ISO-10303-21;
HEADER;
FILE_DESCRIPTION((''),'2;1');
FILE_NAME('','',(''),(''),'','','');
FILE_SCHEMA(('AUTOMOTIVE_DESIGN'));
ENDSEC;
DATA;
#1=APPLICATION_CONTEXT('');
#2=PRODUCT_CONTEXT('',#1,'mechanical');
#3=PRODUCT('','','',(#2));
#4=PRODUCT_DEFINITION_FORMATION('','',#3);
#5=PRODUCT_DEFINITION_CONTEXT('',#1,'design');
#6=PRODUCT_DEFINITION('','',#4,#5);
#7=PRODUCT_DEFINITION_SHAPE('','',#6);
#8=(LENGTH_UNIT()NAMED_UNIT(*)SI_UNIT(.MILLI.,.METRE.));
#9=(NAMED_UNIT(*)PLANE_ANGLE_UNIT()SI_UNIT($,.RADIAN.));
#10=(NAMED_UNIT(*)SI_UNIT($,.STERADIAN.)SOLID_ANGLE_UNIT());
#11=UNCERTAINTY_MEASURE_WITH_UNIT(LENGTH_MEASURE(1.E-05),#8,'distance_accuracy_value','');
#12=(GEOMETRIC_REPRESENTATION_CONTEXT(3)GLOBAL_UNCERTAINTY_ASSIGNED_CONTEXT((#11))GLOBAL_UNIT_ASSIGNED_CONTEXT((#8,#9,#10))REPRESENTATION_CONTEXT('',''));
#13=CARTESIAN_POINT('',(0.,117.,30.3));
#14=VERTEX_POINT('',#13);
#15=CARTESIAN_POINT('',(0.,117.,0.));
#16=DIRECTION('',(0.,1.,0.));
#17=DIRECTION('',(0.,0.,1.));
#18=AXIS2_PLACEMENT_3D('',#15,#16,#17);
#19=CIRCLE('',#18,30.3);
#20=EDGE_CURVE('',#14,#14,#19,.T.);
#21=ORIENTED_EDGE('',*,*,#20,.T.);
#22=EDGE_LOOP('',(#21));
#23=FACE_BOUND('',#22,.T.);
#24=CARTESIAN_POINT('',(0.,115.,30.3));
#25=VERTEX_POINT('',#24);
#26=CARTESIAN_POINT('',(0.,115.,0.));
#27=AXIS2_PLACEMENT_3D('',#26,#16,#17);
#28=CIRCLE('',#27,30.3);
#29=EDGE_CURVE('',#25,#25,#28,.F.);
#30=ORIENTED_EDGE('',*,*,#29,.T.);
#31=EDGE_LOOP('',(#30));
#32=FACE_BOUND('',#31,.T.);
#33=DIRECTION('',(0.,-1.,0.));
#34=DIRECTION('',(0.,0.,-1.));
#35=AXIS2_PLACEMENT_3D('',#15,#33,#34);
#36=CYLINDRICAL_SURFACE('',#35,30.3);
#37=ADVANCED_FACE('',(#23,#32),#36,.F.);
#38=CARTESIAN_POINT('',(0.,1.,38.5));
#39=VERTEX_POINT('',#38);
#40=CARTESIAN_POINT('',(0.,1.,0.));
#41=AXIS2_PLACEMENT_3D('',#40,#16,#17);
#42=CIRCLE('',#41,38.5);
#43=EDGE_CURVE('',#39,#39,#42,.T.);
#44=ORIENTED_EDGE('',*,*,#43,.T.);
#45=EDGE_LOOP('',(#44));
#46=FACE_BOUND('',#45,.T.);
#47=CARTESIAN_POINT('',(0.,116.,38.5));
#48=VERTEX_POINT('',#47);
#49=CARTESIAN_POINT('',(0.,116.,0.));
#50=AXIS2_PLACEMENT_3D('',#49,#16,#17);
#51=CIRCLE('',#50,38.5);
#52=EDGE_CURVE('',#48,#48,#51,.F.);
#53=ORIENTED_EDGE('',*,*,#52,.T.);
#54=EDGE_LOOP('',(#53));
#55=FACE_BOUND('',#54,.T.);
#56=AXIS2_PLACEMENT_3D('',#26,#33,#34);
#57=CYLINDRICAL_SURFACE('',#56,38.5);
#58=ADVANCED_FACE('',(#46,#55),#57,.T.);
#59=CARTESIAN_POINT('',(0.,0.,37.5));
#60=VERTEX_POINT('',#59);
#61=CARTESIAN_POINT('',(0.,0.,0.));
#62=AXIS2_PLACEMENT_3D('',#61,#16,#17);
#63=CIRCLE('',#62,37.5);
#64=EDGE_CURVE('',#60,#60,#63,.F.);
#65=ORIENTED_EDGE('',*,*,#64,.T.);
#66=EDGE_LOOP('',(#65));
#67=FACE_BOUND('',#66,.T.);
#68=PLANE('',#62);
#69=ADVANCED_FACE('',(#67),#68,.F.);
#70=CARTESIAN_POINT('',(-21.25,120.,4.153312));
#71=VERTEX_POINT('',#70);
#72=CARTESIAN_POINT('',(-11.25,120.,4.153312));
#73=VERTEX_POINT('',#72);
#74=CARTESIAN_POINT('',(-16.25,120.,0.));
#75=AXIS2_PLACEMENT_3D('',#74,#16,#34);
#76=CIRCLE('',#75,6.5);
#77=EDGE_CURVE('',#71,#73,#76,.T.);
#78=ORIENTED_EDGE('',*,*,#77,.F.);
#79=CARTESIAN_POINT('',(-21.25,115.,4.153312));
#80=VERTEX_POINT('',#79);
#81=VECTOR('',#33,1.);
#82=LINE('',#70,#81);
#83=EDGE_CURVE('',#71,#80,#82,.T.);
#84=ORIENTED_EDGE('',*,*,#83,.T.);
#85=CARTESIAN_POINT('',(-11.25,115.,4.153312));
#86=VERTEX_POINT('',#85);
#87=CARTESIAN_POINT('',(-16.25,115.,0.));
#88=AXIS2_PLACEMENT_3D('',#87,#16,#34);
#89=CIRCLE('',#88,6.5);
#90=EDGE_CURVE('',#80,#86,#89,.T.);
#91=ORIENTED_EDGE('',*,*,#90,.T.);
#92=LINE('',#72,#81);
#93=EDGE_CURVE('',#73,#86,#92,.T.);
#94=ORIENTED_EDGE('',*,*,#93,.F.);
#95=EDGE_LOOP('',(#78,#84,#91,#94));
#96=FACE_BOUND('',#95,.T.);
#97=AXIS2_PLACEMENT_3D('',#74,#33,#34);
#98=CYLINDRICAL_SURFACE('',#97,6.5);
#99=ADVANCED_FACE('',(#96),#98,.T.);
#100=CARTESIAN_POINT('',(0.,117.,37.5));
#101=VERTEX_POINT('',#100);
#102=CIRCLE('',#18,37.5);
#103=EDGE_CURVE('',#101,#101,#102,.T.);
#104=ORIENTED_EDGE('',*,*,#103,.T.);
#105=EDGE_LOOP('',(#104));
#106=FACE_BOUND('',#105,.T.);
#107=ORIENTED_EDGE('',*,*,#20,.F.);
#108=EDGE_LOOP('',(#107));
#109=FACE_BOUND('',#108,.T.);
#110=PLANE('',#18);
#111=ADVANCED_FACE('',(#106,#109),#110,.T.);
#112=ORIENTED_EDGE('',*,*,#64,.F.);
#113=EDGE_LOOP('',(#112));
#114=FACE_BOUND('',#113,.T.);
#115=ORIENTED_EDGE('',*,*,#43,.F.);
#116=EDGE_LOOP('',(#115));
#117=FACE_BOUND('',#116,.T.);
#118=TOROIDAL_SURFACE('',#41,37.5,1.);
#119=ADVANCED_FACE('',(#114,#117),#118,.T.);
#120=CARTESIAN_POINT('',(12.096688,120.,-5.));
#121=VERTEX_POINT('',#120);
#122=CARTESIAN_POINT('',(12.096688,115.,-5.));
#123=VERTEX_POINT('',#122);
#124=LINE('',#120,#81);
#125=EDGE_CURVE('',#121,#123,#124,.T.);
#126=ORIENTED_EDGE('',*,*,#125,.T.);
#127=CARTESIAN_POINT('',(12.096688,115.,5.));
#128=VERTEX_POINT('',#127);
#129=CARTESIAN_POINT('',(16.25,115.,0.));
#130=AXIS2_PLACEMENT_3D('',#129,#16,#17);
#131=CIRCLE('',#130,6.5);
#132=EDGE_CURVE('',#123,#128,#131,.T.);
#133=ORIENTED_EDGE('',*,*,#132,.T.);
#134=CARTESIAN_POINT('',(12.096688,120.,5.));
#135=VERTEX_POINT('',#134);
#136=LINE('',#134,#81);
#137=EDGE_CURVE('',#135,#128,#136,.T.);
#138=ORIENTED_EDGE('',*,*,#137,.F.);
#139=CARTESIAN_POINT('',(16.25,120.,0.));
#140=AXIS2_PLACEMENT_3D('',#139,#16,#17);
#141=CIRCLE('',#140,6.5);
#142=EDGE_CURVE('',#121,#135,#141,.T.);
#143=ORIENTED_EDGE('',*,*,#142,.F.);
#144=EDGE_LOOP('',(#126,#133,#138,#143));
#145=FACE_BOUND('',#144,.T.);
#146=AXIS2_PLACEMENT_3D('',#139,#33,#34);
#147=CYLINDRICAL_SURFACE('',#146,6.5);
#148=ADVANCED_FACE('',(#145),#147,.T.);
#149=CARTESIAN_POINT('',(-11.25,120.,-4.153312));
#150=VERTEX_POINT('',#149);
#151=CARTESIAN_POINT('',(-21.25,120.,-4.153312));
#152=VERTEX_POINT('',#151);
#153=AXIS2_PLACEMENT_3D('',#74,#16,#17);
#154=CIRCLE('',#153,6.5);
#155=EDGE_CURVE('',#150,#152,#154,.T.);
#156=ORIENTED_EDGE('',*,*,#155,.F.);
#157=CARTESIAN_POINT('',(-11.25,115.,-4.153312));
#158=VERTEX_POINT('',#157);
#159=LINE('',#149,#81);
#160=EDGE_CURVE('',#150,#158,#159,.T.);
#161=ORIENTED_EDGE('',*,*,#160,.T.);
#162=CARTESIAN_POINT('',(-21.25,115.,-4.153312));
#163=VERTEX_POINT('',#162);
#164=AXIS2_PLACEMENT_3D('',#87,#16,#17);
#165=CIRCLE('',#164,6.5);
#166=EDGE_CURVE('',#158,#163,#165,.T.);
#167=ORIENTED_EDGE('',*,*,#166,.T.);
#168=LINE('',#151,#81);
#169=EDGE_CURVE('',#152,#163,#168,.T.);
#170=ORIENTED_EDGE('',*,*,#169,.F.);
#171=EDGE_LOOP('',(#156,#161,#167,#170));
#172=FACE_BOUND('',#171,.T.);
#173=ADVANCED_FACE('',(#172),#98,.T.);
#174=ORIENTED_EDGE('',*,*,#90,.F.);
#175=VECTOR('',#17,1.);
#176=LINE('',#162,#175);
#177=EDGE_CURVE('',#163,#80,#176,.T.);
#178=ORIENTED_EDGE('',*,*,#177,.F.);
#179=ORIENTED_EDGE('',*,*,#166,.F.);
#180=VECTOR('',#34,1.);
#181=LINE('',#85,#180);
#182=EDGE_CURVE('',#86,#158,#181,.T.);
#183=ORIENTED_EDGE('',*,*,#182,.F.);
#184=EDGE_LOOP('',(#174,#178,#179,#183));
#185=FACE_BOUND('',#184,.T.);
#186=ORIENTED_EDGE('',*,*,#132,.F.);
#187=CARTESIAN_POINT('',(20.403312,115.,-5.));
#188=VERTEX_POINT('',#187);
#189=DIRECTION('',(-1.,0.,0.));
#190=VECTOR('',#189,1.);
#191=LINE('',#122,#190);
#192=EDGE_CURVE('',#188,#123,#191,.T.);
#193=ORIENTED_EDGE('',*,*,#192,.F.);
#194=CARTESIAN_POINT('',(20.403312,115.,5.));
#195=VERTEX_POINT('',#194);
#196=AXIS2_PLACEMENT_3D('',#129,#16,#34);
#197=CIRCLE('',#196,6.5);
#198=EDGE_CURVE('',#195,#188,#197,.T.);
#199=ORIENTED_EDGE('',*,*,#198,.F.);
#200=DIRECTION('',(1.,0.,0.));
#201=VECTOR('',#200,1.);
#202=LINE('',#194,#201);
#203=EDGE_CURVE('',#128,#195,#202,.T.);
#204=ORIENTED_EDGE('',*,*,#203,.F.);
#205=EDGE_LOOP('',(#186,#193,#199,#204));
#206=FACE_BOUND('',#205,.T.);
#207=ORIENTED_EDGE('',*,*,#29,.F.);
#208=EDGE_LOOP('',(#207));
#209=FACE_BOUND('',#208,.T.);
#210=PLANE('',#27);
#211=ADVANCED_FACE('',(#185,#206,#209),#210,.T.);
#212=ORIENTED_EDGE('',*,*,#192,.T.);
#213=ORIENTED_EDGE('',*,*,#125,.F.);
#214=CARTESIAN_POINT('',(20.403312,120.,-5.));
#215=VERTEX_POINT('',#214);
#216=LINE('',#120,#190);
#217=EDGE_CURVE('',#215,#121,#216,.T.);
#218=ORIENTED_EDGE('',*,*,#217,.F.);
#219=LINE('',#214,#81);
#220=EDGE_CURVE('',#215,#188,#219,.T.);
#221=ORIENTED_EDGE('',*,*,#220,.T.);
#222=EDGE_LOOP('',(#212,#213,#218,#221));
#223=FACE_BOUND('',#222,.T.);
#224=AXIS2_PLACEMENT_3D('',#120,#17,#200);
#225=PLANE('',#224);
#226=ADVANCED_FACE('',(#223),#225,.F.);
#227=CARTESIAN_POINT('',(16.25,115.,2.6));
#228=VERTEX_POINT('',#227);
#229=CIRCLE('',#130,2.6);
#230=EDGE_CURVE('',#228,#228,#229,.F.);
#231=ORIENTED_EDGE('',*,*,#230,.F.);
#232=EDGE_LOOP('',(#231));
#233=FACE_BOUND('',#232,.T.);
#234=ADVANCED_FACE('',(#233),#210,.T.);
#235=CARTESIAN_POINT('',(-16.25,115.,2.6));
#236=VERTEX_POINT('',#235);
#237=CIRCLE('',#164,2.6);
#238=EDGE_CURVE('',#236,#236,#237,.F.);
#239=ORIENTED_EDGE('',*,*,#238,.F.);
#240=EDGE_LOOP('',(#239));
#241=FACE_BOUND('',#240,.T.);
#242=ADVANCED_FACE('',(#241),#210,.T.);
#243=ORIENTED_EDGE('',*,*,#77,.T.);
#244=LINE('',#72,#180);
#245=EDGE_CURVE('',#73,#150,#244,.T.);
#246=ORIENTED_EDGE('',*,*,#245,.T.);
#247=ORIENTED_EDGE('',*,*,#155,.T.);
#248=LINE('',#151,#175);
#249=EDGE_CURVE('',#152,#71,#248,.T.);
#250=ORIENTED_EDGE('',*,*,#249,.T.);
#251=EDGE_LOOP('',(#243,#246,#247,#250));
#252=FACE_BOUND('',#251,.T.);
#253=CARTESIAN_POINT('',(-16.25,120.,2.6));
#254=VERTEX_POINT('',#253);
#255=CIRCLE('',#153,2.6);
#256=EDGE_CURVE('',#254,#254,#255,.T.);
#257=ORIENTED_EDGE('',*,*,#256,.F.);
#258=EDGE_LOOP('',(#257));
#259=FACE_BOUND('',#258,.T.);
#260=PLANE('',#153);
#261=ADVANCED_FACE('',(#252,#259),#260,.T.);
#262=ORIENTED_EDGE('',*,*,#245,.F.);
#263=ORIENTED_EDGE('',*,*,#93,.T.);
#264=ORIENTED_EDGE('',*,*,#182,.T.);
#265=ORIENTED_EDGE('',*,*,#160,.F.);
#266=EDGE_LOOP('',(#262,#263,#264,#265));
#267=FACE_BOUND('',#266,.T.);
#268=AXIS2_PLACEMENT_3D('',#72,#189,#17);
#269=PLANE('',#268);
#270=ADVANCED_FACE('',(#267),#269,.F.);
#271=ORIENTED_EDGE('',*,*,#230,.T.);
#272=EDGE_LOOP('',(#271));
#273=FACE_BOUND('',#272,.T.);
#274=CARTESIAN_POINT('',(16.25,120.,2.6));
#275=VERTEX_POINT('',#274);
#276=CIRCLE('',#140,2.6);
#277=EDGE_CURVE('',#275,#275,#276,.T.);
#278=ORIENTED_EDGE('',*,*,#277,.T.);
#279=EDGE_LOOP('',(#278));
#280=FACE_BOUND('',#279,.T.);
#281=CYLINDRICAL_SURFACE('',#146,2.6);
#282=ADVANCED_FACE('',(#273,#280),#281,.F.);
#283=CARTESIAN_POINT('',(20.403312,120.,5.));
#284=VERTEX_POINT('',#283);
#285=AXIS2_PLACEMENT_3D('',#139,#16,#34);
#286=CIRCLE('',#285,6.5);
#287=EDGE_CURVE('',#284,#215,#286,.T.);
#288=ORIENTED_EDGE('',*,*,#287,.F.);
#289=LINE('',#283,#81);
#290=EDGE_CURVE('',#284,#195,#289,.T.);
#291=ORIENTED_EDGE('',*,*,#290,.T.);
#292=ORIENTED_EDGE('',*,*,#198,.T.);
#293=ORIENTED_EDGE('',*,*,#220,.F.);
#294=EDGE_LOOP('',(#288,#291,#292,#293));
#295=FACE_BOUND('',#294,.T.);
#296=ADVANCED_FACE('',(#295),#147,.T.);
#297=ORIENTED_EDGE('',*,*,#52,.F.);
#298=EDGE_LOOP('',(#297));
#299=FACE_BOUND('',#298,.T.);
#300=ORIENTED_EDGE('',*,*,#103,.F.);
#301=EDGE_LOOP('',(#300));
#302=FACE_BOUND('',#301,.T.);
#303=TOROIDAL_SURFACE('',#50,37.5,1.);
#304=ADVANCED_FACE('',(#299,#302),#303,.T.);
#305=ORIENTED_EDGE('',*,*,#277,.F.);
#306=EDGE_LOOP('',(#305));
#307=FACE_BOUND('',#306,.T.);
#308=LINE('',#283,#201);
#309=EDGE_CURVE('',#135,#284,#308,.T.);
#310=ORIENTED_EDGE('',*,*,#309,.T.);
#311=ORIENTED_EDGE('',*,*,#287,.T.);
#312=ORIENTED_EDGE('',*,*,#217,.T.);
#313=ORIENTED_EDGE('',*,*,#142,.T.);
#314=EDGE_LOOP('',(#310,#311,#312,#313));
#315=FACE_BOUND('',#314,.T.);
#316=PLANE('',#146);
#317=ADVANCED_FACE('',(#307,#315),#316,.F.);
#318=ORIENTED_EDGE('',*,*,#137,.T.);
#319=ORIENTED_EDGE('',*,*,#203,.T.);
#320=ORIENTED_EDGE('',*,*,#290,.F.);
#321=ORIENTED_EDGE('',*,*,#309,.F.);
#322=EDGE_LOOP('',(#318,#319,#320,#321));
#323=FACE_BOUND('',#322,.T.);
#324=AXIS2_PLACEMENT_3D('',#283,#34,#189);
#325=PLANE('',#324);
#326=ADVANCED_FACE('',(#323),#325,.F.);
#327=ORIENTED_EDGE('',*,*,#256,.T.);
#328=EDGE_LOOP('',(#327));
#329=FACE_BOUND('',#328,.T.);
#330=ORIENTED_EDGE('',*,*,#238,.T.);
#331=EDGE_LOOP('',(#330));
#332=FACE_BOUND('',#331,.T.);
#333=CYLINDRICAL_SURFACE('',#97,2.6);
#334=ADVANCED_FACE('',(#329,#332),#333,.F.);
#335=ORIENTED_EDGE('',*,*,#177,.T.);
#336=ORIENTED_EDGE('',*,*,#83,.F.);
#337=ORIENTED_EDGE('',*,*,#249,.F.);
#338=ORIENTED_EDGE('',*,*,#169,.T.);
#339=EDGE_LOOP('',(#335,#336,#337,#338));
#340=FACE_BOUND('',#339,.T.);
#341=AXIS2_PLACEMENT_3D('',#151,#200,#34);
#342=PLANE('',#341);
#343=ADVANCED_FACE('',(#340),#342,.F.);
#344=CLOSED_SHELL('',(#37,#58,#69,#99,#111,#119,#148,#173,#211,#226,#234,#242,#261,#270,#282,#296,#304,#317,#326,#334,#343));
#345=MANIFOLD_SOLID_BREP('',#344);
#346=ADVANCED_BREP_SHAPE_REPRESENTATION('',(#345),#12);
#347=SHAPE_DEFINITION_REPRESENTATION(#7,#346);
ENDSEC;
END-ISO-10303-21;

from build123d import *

# Parameters (mm, degrees)
SKETCH1_R           = 38.5
BOSS_EXTRUDE1_DEPTH = 115
SKETCH2_R           = 2.6
BOSS_EXTRUDE2_DEPTH = 5
SKETCH3_R           = 38.5
SKETCH3_R_2         = 30.3
BOSS_EXTRUDE3_DEPTH = 2
FILLET1_R           = 1


with BuildPart() as part:
    # Sketch1 → Boss-Extrude1 (new body)
    with BuildSketch(Plane(origin=(0, 0, 0), x_dir=(1, 0, 0), z_dir=(0, 1, 0))):
        with Locations(Location((0, 0, 0), (0, 0, 270))):
            Circle(SKETCH1_R)
    extrude(amount=BOSS_EXTRUDE1_DEPTH)

    # Sketch2 → Boss-Extrude2 (add)
    # profile 1 of 2: a face of its own
    with BuildSketch(Plane(origin=(0, 115, 0), x_dir=(1, 0, 0), z_dir=(0, 1, 0))):
        with BuildLine():
            Line((-21.25, 4.153311931), (-21.25, -4.153311931))
            ThreePointArc((-21.25, -4.153311931), (-16.25, -6.5), (-11.25, -4.153311931))
            Line((-11.25, -4.153311931), (-11.25, 4.153311931))
            ThreePointArc((-11.25, 4.153311931), (-16.25, 6.5), (-21.25, 4.153311931))
        make_face()
        with Locations(Location((-16.25, 0, 0), (0, 0, 270))):
            Circle(SKETCH2_R, mode=Mode.SUBTRACT)
    # profile 2 of 2: a face of its own
    with BuildSketch(Plane(origin=(0, 115, 0), x_dir=(1, 0, 0), z_dir=(0, 1, 0))):
        with BuildLine():
            Line((12.096688069, 5), (20.403311931, 5))
            ThreePointArc((20.403311931, 5), (22.75, 0), (20.403311931, -5))
            Line((20.403311931, -5), (12.096688069, -5))
            ThreePointArc((12.096688069, -5), (9.75, 0), (12.096688069, 5))
        make_face()
        with Locations(Location((16.25, 0, 0), (0, 0, 270))):
            Circle(SKETCH2_R, mode=Mode.SUBTRACT)
    extrude(amount=BOSS_EXTRUDE2_DEPTH)

    # Sketch3 → Boss-Extrude3 (add)
    with BuildSketch(Plane(origin=(0, 115, 0), x_dir=(1, 0, 0), z_dir=(0, 1, 0))):
        with Locations(Location((0, 0, 0), (0, 0, 270))):
            Circle(SKETCH3_R)
        with Locations(Location((0, 0, 0), (0, 0, 270))):
            Circle(SKETCH3_R_2, mode=Mode.SUBTRACT)
    extrude(amount=BOSS_EXTRUDE3_DEPTH)

    # Fillet1
    fillet1_edges = [part.edges().sort_by_distance(p)[0] for p in [
        (0, 0, -38.5),
        (0, 117, -38.5),
    ]]
    fillet(fillet1_edges, radius=FILLET1_R)


solid = part.part
